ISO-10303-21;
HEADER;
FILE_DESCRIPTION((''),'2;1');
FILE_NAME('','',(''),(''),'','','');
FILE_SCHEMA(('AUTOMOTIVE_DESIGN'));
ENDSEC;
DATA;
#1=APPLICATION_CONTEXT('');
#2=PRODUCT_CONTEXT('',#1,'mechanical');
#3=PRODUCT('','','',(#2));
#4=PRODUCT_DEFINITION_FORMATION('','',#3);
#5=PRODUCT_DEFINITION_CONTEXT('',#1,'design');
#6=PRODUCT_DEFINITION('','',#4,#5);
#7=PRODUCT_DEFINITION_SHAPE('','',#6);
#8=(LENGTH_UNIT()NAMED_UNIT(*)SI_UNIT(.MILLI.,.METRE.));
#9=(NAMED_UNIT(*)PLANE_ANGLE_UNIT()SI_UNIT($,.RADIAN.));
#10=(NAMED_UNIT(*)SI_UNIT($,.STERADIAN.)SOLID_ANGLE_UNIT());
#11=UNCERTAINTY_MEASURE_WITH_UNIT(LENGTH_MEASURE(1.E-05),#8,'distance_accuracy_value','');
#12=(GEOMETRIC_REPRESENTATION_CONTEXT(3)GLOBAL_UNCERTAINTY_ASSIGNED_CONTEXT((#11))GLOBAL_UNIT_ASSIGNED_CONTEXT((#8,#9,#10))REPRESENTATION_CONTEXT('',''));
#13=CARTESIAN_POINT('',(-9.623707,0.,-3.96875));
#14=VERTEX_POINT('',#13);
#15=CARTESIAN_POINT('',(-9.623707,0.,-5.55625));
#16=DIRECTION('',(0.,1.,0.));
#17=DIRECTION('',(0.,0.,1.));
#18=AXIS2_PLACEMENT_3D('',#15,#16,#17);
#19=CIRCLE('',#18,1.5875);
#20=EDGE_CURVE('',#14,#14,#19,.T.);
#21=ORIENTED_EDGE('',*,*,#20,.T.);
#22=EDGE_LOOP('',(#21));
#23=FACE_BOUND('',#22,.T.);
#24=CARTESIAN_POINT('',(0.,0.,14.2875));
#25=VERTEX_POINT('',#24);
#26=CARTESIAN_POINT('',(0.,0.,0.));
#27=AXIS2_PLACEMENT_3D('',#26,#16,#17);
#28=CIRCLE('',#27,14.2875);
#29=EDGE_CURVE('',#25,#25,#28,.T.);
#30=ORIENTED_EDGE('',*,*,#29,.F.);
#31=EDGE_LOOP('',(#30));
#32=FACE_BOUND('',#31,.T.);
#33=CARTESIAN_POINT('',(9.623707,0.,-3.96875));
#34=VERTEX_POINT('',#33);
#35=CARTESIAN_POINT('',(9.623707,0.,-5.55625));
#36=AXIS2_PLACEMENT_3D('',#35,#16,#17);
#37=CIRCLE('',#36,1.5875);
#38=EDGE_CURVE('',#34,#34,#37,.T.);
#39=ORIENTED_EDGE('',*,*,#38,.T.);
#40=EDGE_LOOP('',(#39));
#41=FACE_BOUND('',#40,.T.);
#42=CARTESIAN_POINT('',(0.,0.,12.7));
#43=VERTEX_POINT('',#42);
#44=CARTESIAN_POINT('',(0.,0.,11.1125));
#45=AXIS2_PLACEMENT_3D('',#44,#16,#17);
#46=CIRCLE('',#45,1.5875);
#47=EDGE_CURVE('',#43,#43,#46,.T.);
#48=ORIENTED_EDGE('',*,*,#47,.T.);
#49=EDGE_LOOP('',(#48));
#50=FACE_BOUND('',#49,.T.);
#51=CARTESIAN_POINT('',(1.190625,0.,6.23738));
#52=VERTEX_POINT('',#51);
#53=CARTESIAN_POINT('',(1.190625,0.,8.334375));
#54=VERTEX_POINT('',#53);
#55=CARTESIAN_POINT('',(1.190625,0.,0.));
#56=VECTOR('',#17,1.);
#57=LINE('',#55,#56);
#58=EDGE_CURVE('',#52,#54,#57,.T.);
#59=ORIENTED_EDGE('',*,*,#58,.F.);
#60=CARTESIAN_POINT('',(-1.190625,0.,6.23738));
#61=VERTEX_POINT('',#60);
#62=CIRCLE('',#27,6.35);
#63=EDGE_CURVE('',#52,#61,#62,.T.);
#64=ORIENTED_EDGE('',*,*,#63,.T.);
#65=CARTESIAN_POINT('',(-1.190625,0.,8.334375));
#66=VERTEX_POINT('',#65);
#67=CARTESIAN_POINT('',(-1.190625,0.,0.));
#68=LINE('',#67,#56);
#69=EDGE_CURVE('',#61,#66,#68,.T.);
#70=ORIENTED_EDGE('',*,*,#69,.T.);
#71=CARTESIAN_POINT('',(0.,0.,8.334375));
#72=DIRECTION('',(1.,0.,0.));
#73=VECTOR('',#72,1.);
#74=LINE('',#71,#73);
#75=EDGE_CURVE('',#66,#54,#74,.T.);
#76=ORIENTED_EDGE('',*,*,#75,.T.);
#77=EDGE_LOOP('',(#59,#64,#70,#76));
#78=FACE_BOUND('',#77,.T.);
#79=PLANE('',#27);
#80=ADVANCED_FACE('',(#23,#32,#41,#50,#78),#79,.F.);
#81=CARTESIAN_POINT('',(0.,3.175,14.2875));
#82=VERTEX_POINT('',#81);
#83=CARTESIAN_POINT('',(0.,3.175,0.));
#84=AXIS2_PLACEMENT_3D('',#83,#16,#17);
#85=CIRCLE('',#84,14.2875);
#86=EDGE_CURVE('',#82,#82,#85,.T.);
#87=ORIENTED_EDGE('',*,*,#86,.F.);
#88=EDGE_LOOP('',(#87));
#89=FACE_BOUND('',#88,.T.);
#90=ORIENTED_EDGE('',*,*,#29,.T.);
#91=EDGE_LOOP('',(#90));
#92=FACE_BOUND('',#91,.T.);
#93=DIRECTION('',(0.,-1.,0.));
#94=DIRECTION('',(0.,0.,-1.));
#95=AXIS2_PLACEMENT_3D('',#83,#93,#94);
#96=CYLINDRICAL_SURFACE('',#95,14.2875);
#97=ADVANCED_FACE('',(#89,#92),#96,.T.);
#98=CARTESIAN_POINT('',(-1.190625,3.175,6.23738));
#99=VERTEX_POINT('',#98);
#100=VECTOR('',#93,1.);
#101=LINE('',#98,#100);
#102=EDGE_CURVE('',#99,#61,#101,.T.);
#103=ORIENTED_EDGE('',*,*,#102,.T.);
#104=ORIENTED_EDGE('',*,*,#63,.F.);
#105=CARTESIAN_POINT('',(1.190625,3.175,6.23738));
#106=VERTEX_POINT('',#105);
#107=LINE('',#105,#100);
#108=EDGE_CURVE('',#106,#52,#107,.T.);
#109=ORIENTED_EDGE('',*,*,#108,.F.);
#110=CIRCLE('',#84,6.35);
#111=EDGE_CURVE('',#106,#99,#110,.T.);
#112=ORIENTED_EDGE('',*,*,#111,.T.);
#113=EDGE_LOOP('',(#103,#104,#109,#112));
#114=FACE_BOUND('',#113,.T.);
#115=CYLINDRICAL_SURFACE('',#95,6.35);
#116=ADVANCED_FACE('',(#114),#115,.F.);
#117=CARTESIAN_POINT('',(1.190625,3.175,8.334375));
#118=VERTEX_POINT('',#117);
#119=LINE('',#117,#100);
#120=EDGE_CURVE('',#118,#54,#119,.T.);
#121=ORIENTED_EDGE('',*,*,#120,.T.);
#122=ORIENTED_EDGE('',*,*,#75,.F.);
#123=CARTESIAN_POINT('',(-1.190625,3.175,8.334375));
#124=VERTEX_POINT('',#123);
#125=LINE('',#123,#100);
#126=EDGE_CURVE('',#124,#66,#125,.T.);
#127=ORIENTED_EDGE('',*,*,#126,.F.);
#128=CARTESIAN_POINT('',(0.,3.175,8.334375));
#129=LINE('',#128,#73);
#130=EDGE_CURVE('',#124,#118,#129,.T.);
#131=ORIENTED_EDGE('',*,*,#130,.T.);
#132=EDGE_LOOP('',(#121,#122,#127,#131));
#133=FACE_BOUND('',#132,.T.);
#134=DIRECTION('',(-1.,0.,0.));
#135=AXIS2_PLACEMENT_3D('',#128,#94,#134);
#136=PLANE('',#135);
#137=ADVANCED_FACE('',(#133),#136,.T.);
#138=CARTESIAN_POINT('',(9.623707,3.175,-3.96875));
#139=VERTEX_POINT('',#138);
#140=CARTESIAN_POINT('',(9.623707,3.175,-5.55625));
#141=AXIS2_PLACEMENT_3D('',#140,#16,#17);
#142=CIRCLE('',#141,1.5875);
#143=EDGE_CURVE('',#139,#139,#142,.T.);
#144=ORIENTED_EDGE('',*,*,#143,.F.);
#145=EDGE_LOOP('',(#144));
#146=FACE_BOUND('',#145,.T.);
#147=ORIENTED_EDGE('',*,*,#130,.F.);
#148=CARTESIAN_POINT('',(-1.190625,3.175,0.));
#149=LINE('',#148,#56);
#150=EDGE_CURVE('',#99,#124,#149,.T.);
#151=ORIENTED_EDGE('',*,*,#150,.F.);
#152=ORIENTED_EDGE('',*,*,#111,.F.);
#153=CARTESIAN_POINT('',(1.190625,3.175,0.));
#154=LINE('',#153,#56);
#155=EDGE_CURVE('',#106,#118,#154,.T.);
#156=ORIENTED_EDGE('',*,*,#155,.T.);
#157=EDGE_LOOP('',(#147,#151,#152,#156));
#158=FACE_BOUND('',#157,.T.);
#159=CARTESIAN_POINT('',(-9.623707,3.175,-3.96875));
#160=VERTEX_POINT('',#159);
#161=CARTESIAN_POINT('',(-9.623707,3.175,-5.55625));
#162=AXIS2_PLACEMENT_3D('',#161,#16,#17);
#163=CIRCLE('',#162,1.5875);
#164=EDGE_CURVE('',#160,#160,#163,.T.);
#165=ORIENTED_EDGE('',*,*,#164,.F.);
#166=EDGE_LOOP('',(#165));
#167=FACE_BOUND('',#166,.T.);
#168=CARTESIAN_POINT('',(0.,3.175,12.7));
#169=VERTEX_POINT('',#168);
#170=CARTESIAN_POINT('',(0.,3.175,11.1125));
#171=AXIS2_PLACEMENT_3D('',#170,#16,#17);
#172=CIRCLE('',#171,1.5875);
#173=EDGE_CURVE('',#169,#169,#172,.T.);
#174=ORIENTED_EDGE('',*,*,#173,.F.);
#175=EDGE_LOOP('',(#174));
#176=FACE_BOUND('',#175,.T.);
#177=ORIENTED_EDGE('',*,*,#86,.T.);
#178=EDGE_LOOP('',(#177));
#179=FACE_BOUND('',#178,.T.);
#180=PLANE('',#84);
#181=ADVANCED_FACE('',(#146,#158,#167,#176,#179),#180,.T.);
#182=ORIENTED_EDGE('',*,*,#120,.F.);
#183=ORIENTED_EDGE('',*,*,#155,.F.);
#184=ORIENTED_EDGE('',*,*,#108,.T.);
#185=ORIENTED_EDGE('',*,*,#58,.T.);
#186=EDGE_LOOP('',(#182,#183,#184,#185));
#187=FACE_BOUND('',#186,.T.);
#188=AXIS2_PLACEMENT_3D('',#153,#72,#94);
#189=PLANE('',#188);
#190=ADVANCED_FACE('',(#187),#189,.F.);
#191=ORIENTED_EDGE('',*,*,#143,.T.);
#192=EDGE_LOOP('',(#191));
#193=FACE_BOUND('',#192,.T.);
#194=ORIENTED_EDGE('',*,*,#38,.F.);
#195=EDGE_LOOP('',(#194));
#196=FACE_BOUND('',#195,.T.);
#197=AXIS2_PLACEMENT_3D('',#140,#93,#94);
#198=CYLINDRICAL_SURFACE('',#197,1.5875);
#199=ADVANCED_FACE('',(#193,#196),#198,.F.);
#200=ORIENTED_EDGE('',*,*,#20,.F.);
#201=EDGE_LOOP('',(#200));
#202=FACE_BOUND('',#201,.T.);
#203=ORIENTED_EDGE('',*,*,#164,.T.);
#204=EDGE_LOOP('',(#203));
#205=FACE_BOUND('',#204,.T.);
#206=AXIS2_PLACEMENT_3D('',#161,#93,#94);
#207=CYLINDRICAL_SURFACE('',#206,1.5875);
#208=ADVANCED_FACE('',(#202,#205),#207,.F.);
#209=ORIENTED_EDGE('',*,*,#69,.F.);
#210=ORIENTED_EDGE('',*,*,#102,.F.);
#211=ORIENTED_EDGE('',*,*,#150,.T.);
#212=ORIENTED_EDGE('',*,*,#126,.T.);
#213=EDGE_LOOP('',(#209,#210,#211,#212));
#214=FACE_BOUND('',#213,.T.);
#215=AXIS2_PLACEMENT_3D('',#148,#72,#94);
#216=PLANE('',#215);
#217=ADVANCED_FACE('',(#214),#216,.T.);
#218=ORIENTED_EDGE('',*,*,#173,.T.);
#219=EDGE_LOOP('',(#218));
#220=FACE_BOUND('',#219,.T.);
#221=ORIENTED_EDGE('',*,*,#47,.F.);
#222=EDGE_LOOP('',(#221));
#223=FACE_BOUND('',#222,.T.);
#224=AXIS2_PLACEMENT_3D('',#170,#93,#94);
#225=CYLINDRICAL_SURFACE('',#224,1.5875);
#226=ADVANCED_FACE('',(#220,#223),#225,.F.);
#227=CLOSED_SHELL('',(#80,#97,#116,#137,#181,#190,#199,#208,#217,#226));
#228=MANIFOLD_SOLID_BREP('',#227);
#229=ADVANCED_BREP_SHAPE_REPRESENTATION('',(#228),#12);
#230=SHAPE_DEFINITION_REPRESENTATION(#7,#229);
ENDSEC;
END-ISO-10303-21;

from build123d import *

# Parameters (mm, degrees)
SKETCH1_R           = 14.2875
BOSS_EXTRUDE2_DEPTH = 3.175


with BuildPart() as part:
    # Sketch1 → Boss-Extrude2 (new body)
    # profile 1 of 5: a face of its own
    with BuildSketch(Plane(origin=(0, 0, 0), x_dir=(1, 0, 0), z_dir=(0, 1, 0))):
        with Locations(Location((0, 0, 0), (0, 0, 270))):
            Circle(SKETCH1_R)
        with BuildLine():
            Line((-1.190625, 6.237380228), (-1.190625, 8.334375))
            Line((-1.190625, 8.334375), (1.190625, 8.334375))
            Line((1.190625, 8.334375), (1.190625, 6.237380228))
            ThreePointArc((1.190625, 6.237380228), (2.159427274, 5.971547023), (3.074180531, 5.55625))
            Line((3.074180531, 5.55625), (8.0362073, 5.55625))
            ThreePointArc((8.0362073, 5.55625), (9.6237073, 7.14375), (11.2112073, 5.55625))
            ThreePointArc((11.2112073, 5.55625), (10.4174573, 4.181434671), (8.8299573, 4.181434671))
            Line((8.8299573, 4.181434671), (6.348943915, -0.115806564))
            ThreePointArc((6.348943915, -0.115806564), (5.499261314, -3.175), (3.274763384, -5.440443436))
            Line((3.274763384, -5.440443436), (0.79375, -9.737684671))
            ThreePointArc((0.79375, -9.737684671), (1.374815329, -10.31875), (1.5875, -11.1125))
            ThreePointArc((1.5875, -11.1125), (-0.79375, -12.487315329), (-0.79375, -9.737684671))
            Line((-0.79375, -9.737684671), (-3.274763384, -5.440443436))
            ThreePointArc((-3.274763384, -5.440443436), (-5.499261314, -3.175), (-6.348943915, -0.115806564))
            Line((-6.348943915, -0.115806564), (-8.8299573, 4.181434671))
            ThreePointArc((-8.8299573, 4.181434671), (-10.998522628, 6.35), (-8.0362073, 5.55625))
            Line((-8.0362073, 5.55625), (-3.074180531, 5.55625))
            ThreePointArc((-3.074180531, 5.55625), (-2.159427274, 5.971547023), (-1.190625, 6.237380228))
        make_face(mode=Mode.SUBTRACT)
    # profile 2 of 5: a face of its own
    with BuildSketch(Plane(origin=(0, 0, 0), x_dir=(1, 0, 0), z_dir=(0, 1, 0))):
        with BuildLine():
            ThreePointArc((-6.348943915, -0.115806564), (-5.499261314, 3.175), (-3.074180531, 5.55625))
            Line((-3.074180531, 5.55625), (-8.0362073, 5.55625))
            ThreePointArc((-8.0362073, 5.55625), (-8.248891971, 4.7625), (-8.8299573, 4.181434671))
            Line((-8.8299573, 4.181434671), (-6.348943915, -0.115806564))
        make_face()
    # profile 3 of 5: a face of its own
    with BuildSketch(Plane(origin=(0, 0, 0), x_dir=(1, 0, 0), z_dir=(0, 1, 0))):
        with BuildLine():
            Line((8.0362073, 5.55625), (3.074180531, 5.55625))
            ThreePointArc((3.074180531, 5.55625), (5.470079815, 3.225015785), (6.35, 0))
            ThreePointArc((6.35, 0), (6.349735973, -0.05790569), (6.348943915, -0.115806564))
            Line((6.348943915, -0.115806564), (8.8299573, 4.181434671))
            ThreePointArc((8.8299573, 4.181434671), (8.248891971, 4.7625), (8.0362073, 5.55625))
        make_face()
    # profile 4 of 5: a face of its own
    with BuildSketch(Plane(origin=(0, 0, 0), x_dir=(1, 0, 0), z_dir=(0, 1, 0))):
        with BuildLine():
            Line((-1.190625, -8.334375), (-1.190625, -6.237380228))
            ThreePointArc((-1.190625, -6.237380228), (-2.267972755, -5.931171856), (-3.274763384, -5.440443436))
            Line((-3.274763384, -5.440443436), (-0.79375, -9.737684671))
            ThreePointArc((-0.79375, -9.737684671), (0, -9.525), (0.79375, -9.737684671))
            Line((0.79375, -9.737684671), (3.274763384, -5.440443436))
            ThreePointArc((3.274763384, -5.440443436), (2.267972755, -5.931171856), (1.190625, -6.237380228))
            Line((1.190625, -6.237380228), (1.190625, -8.334375))
            Line((1.190625, -8.334375), (-1.190625, -8.334375))
        make_face()
    # profile 5 of 5: a face of its own
    with BuildSketch(Plane(origin=(0, 0, 0), x_dir=(1, 0, 0), z_dir=(0, 1, 0))):
        with BuildLine():
            Line((1.190625, 8.334375), (-1.190625, 8.334375))
            Line((-1.190625, 8.334375), (-1.190625, 6.237380228))
            ThreePointArc((-1.190625, 6.237380228), (0, 6.35), (1.190625, 6.237380228))
            Line((1.190625, 6.237380228), (1.190625, 8.334375))
        make_face()
    extrude(amount=BOSS_EXTRUDE2_DEPTH)


solid = part.part
